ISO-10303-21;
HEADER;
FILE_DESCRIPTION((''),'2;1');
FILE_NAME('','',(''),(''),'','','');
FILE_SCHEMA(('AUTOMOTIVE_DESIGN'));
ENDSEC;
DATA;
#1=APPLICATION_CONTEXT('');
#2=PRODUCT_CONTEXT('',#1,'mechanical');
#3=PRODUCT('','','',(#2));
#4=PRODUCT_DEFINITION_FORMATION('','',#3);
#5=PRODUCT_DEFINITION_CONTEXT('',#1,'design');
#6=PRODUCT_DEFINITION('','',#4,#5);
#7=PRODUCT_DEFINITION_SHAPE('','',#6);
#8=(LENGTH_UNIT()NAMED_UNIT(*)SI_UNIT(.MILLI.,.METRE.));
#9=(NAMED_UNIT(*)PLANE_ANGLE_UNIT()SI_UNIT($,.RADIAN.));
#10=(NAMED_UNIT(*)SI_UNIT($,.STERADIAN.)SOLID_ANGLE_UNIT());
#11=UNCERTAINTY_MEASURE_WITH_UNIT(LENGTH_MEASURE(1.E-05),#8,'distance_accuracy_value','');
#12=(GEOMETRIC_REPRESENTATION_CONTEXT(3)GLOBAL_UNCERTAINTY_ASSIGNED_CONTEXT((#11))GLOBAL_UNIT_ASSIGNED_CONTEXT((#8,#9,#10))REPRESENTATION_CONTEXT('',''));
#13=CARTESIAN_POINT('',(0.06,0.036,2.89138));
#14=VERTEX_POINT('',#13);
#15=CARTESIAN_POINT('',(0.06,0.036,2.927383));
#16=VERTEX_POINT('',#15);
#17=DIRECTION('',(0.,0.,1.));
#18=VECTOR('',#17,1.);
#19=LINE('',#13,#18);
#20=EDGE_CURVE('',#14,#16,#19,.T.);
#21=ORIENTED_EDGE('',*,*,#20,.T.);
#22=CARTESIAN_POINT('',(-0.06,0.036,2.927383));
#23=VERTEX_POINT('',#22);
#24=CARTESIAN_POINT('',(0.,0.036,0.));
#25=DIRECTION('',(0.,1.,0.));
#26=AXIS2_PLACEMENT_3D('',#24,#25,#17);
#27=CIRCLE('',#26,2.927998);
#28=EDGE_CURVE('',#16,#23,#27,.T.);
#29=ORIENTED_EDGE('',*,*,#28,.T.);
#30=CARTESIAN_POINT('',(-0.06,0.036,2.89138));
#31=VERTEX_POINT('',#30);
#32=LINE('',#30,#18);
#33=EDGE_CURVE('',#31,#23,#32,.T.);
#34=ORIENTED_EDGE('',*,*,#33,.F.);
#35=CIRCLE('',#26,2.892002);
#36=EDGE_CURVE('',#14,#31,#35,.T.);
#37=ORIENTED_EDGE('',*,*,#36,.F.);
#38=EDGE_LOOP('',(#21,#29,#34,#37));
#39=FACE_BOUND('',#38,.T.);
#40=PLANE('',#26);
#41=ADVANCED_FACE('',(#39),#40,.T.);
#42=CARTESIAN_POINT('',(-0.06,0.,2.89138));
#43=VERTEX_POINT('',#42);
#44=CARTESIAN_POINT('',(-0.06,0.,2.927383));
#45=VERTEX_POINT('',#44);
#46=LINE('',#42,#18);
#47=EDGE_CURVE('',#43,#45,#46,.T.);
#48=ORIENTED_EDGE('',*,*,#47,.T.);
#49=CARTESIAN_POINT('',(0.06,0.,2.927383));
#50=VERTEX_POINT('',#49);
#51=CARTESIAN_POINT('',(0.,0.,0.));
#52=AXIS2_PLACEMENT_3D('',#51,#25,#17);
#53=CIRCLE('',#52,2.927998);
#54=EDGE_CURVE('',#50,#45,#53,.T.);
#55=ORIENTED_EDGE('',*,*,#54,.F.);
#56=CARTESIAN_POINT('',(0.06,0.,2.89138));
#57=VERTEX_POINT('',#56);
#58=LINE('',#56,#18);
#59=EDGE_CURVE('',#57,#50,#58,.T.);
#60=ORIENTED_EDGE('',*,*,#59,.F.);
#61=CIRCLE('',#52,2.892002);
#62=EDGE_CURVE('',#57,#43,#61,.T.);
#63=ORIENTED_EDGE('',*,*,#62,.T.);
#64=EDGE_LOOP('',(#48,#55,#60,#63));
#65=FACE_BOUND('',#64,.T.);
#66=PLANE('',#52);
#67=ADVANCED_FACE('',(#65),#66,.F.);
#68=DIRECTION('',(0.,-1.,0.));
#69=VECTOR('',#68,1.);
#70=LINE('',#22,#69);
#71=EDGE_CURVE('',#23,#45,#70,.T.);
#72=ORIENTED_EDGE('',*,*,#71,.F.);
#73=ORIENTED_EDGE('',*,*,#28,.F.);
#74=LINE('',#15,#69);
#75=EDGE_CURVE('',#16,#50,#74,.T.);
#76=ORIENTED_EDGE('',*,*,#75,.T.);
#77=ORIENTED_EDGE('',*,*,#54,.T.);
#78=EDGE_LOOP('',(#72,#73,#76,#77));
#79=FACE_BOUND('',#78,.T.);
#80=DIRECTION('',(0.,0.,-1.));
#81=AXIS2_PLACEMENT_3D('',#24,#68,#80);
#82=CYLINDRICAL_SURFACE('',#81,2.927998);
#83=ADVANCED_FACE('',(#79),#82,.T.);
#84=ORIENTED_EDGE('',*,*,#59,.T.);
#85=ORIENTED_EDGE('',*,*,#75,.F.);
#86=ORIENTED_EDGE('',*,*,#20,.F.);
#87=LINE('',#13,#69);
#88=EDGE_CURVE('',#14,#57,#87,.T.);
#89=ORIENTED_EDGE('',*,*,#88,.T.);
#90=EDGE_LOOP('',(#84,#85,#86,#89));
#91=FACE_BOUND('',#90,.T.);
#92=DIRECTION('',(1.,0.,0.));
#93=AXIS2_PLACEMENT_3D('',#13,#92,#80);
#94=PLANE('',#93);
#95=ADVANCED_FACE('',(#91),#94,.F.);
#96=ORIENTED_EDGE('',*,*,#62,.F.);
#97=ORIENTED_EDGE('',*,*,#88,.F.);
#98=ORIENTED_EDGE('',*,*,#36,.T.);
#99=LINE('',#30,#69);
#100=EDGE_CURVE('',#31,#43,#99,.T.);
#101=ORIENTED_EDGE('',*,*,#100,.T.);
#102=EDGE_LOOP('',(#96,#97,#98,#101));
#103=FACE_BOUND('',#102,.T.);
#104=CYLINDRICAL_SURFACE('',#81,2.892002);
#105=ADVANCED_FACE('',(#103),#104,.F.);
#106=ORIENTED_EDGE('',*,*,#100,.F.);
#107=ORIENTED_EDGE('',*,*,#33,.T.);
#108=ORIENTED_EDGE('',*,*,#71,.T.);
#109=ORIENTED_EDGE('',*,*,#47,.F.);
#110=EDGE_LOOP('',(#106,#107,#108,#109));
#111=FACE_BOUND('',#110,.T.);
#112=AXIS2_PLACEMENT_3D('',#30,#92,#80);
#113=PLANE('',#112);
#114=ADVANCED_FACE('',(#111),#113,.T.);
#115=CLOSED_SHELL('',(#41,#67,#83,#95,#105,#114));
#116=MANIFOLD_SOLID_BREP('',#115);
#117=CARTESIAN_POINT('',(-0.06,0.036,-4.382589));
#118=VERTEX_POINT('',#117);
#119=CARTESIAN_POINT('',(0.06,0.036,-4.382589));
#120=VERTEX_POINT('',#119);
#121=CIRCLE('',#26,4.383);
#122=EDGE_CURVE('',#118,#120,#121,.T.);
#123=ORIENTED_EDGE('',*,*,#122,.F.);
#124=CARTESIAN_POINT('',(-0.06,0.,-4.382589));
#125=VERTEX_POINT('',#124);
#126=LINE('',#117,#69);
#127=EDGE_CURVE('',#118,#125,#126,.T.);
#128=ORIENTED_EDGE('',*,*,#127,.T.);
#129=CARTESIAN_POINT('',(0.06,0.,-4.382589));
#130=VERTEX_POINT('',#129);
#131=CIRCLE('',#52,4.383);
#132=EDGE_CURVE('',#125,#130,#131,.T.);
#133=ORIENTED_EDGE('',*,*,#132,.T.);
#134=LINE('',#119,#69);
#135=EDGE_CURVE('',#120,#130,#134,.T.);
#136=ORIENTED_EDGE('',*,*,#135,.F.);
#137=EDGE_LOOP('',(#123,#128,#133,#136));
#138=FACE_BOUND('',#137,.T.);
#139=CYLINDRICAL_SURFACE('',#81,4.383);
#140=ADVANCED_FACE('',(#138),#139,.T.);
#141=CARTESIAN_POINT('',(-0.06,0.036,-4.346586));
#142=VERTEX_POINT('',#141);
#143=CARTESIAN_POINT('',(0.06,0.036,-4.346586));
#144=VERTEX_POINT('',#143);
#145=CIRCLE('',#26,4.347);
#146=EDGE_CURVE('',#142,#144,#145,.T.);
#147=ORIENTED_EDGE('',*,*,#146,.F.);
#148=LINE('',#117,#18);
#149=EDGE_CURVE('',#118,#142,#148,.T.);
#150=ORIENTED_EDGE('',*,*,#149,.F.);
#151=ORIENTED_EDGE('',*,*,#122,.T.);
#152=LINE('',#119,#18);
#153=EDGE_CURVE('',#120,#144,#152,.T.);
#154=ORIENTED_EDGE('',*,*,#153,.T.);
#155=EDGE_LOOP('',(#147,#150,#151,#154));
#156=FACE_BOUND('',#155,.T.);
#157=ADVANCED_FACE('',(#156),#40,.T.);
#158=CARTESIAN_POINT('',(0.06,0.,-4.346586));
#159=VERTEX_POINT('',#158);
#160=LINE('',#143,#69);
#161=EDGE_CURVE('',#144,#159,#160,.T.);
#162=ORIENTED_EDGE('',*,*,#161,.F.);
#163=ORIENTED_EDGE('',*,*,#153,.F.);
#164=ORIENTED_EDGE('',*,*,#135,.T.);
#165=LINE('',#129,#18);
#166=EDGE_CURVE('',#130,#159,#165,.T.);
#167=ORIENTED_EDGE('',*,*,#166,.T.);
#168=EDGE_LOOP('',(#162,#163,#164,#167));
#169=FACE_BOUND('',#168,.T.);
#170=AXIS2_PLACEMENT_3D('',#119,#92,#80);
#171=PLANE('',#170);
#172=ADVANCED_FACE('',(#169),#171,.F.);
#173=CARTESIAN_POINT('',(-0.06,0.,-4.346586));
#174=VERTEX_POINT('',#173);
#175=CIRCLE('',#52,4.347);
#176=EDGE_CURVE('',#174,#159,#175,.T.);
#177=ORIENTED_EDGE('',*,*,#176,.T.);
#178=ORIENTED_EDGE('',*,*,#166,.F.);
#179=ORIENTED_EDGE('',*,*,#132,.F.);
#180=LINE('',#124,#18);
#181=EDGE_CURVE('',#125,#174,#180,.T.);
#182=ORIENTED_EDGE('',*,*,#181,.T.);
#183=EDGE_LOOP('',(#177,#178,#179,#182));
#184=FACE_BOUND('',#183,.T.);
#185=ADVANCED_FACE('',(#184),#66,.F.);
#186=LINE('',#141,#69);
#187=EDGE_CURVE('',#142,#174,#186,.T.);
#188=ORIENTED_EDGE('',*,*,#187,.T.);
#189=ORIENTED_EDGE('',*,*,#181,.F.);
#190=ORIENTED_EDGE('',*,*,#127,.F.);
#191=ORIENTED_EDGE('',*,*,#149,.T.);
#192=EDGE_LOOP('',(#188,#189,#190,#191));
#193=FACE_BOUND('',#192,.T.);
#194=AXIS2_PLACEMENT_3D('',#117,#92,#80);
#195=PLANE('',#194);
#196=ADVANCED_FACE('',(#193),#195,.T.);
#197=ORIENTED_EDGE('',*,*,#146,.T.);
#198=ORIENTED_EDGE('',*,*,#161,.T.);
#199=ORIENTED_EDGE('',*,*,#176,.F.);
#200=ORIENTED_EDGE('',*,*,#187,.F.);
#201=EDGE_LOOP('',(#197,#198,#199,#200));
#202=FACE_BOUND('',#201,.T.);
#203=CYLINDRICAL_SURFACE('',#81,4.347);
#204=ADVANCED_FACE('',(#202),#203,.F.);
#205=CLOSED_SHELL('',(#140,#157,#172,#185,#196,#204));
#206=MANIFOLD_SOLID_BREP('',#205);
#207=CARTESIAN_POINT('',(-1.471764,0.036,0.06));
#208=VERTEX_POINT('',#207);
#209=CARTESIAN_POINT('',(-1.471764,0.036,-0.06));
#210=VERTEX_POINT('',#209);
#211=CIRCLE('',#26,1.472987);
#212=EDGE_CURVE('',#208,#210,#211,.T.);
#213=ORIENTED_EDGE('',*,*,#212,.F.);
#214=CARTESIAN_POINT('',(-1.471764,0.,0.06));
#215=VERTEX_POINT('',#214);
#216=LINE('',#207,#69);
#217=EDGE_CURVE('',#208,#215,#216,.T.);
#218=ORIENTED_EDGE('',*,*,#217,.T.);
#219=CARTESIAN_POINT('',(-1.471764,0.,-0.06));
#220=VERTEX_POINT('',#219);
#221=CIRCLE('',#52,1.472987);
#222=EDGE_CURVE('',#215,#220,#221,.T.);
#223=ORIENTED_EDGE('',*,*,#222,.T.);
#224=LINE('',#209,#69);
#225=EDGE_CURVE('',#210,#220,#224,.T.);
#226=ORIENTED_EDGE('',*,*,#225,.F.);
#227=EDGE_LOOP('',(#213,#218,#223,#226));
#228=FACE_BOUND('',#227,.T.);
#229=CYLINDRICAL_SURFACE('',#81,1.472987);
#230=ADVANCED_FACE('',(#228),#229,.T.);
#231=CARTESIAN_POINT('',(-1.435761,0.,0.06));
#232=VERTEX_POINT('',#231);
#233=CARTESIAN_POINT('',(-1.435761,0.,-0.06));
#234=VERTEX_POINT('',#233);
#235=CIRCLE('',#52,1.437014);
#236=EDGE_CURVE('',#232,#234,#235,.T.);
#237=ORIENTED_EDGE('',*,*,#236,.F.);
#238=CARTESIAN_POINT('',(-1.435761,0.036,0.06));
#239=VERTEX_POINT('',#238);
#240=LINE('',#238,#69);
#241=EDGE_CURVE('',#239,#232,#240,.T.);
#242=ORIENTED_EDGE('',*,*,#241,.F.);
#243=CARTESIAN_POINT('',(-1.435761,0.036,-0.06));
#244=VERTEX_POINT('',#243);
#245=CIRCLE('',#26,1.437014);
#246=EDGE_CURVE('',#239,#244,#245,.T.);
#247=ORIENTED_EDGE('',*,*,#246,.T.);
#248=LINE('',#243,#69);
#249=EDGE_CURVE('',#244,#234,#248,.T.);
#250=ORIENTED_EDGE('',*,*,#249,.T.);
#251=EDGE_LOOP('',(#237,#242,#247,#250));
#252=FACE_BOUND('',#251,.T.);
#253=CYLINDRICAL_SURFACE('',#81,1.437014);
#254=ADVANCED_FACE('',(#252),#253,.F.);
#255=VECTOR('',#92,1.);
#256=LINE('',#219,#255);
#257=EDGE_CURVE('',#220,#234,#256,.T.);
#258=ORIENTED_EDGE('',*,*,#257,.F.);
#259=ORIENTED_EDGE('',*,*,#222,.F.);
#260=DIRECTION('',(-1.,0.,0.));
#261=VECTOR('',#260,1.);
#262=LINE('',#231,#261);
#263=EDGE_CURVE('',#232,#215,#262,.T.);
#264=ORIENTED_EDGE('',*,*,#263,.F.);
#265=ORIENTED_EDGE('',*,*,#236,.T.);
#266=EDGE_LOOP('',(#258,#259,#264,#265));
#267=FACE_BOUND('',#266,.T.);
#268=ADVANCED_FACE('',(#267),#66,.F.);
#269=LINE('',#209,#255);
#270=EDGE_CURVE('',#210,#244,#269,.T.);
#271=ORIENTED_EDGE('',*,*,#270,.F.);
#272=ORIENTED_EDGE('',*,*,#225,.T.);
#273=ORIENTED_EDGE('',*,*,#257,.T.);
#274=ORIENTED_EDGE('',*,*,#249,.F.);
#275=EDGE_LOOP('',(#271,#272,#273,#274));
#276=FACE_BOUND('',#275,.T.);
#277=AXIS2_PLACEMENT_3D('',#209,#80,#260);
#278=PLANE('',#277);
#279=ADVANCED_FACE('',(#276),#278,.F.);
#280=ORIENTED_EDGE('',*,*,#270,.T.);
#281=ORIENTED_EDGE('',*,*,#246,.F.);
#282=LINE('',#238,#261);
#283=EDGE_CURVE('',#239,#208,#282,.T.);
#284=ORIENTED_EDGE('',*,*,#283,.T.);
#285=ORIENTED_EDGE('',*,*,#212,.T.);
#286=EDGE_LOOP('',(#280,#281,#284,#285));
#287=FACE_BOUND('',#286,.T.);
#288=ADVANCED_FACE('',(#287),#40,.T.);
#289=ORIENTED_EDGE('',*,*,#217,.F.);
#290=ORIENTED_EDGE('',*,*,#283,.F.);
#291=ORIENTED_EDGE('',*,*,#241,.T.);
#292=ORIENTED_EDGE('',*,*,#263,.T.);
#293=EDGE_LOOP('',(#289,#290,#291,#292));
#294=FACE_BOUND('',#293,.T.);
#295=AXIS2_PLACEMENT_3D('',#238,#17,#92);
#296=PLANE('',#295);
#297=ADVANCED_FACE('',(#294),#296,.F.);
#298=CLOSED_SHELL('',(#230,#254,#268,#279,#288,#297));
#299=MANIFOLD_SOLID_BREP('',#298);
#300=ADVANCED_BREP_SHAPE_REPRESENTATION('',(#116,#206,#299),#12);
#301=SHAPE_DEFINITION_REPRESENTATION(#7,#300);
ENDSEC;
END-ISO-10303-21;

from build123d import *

# Parameters (mm, degrees)
BOSS_EXTRUDE1_DEPTH   = 0.036
BOSS_EXTRUDE1_2_DEPTH = 0.036
BOSS_EXTRUDE1_3_DEPTH = 0.036


with BuildPart() as part:
    # Sketch1 → Boss-Extrude1 (new body)
    with BuildSketch(Plane(origin=(0, 0, 0), x_dir=(1, 0, 0), z_dir=(0, 1, 0))):
        with BuildLine():
            Line((0.06, 4.38258931), (0.06, 4.346585909))
            ThreePointArc((0.06, 4.346585909), (0, -4.347000007), (-0.06, 4.346585909))
            Line((-0.06, 4.346585909), (-0.06, 4.38258931))
            ThreePointArc((-0.06, 4.38258931), (0, -4.383000007), (0.06, 4.38258931))
        make_face()
    extrude(amount=BOSS_EXTRUDE1_DEPTH)


with BuildPart() as body_2:
    # Sketch1 → Boss-Extrude1 2 (new body)
    with BuildSketch(Plane(origin=(0, 0, 0), x_dir=(1, 0, 0), z_dir=(0, 1, 0))):
        with BuildLine():
            Line((0.06, -2.891379677), (0.06, -2.927383078))
            ThreePointArc((0.06, -2.927383078), (0, 2.927997897), (-0.06, -2.927383078))
            Line((-0.06, -2.927383078), (-0.06, -2.891379677))
            ThreePointArc((-0.06, -2.891379677), (0, 2.89200215), (0.06, -2.891379677))
        make_face()
    extrude(amount=BOSS_EXTRUDE1_2_DEPTH)


with BuildPart() as body_3:
    # Sketch1 → Boss-Extrude1 3 (new body)
    with BuildSketch(Plane(origin=(0, 0, 0), x_dir=(1, 0, 0), z_dir=(0, 1, 0))):
        with BuildLine():
            Line((-1.471764061, 0.06), (-1.435760659, 0.06))
            ThreePointArc((-1.435760659, 0.06), (1.437013803, 0), (-1.435760659, -0.06))
            Line((-1.435760659, -0.06), (-1.471764061, -0.06))
            ThreePointArc((-1.471764061, -0.06), (1.472986575, 0), (-1.471764061, 0.06))
        make_face()
    extrude(amount=BOSS_EXTRUDE1_3_DEPTH)


solid = Compound([part.part, body_2.part, body_3.part])
